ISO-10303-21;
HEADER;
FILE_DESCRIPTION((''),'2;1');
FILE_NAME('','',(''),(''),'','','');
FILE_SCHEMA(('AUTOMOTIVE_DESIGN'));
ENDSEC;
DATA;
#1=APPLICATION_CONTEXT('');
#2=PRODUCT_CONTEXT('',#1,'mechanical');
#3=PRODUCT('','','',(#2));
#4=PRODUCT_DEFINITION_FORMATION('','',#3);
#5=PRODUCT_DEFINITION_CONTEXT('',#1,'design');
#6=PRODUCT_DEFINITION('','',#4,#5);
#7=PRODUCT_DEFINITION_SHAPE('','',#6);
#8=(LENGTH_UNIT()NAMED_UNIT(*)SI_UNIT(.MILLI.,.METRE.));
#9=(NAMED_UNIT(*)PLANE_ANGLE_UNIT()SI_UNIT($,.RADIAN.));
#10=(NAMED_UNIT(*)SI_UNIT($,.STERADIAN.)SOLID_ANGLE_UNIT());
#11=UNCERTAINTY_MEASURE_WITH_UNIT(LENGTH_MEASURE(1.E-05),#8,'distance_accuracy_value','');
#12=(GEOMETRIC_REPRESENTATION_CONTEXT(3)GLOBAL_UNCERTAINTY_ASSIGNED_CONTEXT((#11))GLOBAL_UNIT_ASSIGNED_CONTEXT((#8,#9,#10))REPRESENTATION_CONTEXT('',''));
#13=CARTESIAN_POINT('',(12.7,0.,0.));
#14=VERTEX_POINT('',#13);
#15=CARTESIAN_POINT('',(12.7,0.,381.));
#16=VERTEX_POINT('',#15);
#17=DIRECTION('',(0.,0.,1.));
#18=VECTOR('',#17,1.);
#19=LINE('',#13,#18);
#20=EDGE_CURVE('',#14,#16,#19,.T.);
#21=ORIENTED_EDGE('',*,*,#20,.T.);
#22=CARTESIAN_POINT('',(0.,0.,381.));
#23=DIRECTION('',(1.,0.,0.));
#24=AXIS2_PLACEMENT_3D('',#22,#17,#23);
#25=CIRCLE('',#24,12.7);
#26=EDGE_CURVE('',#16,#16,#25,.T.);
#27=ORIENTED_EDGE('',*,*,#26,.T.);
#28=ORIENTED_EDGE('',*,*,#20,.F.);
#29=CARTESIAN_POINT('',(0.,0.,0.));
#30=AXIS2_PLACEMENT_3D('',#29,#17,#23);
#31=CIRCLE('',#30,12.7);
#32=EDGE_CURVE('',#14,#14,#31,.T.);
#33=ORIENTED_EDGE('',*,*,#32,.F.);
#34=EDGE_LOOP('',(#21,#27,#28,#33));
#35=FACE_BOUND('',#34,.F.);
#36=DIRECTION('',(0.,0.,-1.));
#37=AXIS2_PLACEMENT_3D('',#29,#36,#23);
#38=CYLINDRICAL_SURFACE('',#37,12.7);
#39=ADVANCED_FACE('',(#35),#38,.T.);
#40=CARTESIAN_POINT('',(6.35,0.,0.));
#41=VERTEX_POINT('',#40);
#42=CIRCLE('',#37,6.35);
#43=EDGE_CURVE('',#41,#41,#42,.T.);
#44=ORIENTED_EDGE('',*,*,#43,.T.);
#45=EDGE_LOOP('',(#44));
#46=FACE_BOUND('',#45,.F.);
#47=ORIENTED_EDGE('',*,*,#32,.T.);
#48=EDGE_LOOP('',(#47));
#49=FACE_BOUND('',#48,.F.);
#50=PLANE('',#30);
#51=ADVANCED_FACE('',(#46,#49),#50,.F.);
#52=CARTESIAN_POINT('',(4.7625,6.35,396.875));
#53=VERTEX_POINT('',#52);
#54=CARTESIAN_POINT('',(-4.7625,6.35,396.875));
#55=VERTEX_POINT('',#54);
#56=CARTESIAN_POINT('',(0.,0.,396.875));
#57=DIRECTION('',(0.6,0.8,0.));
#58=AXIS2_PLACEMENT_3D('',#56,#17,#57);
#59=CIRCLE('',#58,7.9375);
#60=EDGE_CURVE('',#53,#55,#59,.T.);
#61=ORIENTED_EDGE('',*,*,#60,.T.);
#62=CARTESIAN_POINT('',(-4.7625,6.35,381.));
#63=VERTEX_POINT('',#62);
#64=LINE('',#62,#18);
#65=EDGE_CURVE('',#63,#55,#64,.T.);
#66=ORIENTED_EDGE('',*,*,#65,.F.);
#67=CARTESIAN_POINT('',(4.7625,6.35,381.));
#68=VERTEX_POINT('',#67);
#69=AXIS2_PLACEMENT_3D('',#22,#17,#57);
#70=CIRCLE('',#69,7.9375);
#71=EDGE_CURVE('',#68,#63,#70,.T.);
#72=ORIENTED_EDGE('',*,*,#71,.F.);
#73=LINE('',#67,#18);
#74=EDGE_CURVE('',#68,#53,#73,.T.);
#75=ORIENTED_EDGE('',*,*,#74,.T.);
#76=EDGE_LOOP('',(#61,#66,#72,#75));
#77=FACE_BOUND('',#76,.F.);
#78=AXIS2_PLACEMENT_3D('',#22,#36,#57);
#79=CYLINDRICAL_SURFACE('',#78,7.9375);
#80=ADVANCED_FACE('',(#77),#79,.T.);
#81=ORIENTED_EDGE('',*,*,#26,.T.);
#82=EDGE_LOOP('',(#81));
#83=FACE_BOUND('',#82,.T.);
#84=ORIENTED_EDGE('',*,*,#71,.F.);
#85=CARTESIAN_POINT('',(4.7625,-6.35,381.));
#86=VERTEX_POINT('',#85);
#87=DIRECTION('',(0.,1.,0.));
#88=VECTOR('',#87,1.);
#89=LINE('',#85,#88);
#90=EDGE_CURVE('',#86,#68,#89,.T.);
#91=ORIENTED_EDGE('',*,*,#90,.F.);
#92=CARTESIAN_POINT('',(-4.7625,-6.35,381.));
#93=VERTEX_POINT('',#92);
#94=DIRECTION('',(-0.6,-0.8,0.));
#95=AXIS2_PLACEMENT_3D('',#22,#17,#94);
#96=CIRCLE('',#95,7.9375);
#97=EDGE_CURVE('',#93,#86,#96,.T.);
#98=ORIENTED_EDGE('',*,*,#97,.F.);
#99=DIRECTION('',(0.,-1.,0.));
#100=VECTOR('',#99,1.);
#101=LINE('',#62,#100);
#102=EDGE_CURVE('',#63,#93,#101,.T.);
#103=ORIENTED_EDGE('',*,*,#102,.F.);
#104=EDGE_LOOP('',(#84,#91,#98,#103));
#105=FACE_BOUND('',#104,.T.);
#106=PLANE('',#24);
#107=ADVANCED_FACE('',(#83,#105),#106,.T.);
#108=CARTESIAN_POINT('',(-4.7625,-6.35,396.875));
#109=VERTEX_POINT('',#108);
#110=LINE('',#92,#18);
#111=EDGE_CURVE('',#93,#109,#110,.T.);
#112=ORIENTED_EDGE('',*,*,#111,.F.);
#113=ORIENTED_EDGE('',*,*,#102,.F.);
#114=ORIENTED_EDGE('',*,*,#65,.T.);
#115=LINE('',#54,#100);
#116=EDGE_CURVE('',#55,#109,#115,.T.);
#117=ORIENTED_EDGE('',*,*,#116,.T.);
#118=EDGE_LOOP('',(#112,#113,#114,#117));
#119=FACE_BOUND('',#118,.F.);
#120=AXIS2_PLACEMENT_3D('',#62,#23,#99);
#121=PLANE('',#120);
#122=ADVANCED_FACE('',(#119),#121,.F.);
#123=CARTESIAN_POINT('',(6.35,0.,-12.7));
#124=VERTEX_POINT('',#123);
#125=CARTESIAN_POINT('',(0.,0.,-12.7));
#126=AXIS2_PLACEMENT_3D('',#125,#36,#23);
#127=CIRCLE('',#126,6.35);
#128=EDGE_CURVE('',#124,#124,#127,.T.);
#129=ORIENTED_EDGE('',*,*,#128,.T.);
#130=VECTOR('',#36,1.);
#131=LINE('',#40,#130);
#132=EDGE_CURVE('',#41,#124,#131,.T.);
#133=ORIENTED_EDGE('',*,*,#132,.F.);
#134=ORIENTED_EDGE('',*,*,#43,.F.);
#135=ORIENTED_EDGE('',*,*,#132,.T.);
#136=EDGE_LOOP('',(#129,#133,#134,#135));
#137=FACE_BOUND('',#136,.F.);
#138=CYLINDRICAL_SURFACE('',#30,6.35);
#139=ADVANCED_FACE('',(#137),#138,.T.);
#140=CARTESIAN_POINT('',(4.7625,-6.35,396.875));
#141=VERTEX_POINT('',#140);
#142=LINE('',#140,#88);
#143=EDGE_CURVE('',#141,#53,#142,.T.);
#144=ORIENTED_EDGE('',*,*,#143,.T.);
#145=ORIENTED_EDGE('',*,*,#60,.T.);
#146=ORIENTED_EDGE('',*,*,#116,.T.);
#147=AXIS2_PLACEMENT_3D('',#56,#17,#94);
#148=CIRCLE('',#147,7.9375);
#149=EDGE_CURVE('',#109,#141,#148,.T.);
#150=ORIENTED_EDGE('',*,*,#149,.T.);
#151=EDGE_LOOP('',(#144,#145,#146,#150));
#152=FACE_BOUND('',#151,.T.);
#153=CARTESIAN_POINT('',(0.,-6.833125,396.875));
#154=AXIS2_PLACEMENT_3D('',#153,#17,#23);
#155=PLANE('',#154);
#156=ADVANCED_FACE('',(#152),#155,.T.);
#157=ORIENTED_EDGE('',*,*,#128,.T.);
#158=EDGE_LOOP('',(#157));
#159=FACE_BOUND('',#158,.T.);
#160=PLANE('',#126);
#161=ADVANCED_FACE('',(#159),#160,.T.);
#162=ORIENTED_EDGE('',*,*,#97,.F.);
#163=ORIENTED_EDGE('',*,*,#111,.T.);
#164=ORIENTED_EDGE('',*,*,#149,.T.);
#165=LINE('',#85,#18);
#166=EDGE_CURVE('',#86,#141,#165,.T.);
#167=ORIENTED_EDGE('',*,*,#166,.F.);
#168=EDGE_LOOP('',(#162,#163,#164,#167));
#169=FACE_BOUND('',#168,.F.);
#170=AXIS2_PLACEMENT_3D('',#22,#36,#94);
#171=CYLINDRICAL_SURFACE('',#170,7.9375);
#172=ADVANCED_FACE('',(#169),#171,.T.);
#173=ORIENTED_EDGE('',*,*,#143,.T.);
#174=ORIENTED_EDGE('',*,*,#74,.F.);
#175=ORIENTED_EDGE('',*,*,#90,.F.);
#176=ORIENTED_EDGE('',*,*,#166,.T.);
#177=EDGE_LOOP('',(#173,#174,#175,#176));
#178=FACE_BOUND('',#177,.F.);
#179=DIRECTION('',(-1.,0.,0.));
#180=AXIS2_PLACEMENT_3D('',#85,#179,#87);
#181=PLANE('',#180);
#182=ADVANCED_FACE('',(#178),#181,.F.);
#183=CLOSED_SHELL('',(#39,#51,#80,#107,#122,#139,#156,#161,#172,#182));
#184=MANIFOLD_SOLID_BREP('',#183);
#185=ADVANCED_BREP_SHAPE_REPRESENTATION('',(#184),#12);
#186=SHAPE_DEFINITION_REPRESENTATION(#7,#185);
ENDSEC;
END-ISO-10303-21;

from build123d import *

# Parameters (mm, degrees)
F0_R     = 12.7
F1_DEPTH = 381
F3_DEPTH = 15.875
F4_R     = 6.35
F5_DEPTH = 12.7


with BuildPart() as f1:
    # F0 (on Top) → F1 (new body)
    with BuildSketch(Plane.XY):
        Circle(F0_R)
    extrude(amount=F1_DEPTH)

    # F2 (on face) → F3 (join)
    with BuildSketch(Plane.XY.offset(381)):
        with BuildLine():
            ThreePointArc((-4.7625, -6.35), (0, -7.9375), (4.7625, -6.35))
            Line((4.7625, -6.35), (-4.7625, -6.35))
        make_face()
        Polygon((4.7625, 0), (4.7625, 6.35), (-4.7625, 6.35), (-4.7625, 0), (-4.7625, -6.35), (4.7625, -6.35), align=None)
        with BuildLine():
            Line((-4.7625, 6.35), (4.7625, 6.35))
            ThreePointArc((4.7625, 6.35), (0, 7.9375), (-4.7625, 6.35))
        make_face()
    extrude(amount=F3_DEPTH)

    # F4 (on face) → F5 (join)
    with BuildSketch(Plane(origin=(0, 0, 0), x_dir=(1, 0, 0), z_dir=(0, 0, -1))):
        Circle(F4_R)
    extrude(amount=F5_DEPTH)


solid = f1.part
